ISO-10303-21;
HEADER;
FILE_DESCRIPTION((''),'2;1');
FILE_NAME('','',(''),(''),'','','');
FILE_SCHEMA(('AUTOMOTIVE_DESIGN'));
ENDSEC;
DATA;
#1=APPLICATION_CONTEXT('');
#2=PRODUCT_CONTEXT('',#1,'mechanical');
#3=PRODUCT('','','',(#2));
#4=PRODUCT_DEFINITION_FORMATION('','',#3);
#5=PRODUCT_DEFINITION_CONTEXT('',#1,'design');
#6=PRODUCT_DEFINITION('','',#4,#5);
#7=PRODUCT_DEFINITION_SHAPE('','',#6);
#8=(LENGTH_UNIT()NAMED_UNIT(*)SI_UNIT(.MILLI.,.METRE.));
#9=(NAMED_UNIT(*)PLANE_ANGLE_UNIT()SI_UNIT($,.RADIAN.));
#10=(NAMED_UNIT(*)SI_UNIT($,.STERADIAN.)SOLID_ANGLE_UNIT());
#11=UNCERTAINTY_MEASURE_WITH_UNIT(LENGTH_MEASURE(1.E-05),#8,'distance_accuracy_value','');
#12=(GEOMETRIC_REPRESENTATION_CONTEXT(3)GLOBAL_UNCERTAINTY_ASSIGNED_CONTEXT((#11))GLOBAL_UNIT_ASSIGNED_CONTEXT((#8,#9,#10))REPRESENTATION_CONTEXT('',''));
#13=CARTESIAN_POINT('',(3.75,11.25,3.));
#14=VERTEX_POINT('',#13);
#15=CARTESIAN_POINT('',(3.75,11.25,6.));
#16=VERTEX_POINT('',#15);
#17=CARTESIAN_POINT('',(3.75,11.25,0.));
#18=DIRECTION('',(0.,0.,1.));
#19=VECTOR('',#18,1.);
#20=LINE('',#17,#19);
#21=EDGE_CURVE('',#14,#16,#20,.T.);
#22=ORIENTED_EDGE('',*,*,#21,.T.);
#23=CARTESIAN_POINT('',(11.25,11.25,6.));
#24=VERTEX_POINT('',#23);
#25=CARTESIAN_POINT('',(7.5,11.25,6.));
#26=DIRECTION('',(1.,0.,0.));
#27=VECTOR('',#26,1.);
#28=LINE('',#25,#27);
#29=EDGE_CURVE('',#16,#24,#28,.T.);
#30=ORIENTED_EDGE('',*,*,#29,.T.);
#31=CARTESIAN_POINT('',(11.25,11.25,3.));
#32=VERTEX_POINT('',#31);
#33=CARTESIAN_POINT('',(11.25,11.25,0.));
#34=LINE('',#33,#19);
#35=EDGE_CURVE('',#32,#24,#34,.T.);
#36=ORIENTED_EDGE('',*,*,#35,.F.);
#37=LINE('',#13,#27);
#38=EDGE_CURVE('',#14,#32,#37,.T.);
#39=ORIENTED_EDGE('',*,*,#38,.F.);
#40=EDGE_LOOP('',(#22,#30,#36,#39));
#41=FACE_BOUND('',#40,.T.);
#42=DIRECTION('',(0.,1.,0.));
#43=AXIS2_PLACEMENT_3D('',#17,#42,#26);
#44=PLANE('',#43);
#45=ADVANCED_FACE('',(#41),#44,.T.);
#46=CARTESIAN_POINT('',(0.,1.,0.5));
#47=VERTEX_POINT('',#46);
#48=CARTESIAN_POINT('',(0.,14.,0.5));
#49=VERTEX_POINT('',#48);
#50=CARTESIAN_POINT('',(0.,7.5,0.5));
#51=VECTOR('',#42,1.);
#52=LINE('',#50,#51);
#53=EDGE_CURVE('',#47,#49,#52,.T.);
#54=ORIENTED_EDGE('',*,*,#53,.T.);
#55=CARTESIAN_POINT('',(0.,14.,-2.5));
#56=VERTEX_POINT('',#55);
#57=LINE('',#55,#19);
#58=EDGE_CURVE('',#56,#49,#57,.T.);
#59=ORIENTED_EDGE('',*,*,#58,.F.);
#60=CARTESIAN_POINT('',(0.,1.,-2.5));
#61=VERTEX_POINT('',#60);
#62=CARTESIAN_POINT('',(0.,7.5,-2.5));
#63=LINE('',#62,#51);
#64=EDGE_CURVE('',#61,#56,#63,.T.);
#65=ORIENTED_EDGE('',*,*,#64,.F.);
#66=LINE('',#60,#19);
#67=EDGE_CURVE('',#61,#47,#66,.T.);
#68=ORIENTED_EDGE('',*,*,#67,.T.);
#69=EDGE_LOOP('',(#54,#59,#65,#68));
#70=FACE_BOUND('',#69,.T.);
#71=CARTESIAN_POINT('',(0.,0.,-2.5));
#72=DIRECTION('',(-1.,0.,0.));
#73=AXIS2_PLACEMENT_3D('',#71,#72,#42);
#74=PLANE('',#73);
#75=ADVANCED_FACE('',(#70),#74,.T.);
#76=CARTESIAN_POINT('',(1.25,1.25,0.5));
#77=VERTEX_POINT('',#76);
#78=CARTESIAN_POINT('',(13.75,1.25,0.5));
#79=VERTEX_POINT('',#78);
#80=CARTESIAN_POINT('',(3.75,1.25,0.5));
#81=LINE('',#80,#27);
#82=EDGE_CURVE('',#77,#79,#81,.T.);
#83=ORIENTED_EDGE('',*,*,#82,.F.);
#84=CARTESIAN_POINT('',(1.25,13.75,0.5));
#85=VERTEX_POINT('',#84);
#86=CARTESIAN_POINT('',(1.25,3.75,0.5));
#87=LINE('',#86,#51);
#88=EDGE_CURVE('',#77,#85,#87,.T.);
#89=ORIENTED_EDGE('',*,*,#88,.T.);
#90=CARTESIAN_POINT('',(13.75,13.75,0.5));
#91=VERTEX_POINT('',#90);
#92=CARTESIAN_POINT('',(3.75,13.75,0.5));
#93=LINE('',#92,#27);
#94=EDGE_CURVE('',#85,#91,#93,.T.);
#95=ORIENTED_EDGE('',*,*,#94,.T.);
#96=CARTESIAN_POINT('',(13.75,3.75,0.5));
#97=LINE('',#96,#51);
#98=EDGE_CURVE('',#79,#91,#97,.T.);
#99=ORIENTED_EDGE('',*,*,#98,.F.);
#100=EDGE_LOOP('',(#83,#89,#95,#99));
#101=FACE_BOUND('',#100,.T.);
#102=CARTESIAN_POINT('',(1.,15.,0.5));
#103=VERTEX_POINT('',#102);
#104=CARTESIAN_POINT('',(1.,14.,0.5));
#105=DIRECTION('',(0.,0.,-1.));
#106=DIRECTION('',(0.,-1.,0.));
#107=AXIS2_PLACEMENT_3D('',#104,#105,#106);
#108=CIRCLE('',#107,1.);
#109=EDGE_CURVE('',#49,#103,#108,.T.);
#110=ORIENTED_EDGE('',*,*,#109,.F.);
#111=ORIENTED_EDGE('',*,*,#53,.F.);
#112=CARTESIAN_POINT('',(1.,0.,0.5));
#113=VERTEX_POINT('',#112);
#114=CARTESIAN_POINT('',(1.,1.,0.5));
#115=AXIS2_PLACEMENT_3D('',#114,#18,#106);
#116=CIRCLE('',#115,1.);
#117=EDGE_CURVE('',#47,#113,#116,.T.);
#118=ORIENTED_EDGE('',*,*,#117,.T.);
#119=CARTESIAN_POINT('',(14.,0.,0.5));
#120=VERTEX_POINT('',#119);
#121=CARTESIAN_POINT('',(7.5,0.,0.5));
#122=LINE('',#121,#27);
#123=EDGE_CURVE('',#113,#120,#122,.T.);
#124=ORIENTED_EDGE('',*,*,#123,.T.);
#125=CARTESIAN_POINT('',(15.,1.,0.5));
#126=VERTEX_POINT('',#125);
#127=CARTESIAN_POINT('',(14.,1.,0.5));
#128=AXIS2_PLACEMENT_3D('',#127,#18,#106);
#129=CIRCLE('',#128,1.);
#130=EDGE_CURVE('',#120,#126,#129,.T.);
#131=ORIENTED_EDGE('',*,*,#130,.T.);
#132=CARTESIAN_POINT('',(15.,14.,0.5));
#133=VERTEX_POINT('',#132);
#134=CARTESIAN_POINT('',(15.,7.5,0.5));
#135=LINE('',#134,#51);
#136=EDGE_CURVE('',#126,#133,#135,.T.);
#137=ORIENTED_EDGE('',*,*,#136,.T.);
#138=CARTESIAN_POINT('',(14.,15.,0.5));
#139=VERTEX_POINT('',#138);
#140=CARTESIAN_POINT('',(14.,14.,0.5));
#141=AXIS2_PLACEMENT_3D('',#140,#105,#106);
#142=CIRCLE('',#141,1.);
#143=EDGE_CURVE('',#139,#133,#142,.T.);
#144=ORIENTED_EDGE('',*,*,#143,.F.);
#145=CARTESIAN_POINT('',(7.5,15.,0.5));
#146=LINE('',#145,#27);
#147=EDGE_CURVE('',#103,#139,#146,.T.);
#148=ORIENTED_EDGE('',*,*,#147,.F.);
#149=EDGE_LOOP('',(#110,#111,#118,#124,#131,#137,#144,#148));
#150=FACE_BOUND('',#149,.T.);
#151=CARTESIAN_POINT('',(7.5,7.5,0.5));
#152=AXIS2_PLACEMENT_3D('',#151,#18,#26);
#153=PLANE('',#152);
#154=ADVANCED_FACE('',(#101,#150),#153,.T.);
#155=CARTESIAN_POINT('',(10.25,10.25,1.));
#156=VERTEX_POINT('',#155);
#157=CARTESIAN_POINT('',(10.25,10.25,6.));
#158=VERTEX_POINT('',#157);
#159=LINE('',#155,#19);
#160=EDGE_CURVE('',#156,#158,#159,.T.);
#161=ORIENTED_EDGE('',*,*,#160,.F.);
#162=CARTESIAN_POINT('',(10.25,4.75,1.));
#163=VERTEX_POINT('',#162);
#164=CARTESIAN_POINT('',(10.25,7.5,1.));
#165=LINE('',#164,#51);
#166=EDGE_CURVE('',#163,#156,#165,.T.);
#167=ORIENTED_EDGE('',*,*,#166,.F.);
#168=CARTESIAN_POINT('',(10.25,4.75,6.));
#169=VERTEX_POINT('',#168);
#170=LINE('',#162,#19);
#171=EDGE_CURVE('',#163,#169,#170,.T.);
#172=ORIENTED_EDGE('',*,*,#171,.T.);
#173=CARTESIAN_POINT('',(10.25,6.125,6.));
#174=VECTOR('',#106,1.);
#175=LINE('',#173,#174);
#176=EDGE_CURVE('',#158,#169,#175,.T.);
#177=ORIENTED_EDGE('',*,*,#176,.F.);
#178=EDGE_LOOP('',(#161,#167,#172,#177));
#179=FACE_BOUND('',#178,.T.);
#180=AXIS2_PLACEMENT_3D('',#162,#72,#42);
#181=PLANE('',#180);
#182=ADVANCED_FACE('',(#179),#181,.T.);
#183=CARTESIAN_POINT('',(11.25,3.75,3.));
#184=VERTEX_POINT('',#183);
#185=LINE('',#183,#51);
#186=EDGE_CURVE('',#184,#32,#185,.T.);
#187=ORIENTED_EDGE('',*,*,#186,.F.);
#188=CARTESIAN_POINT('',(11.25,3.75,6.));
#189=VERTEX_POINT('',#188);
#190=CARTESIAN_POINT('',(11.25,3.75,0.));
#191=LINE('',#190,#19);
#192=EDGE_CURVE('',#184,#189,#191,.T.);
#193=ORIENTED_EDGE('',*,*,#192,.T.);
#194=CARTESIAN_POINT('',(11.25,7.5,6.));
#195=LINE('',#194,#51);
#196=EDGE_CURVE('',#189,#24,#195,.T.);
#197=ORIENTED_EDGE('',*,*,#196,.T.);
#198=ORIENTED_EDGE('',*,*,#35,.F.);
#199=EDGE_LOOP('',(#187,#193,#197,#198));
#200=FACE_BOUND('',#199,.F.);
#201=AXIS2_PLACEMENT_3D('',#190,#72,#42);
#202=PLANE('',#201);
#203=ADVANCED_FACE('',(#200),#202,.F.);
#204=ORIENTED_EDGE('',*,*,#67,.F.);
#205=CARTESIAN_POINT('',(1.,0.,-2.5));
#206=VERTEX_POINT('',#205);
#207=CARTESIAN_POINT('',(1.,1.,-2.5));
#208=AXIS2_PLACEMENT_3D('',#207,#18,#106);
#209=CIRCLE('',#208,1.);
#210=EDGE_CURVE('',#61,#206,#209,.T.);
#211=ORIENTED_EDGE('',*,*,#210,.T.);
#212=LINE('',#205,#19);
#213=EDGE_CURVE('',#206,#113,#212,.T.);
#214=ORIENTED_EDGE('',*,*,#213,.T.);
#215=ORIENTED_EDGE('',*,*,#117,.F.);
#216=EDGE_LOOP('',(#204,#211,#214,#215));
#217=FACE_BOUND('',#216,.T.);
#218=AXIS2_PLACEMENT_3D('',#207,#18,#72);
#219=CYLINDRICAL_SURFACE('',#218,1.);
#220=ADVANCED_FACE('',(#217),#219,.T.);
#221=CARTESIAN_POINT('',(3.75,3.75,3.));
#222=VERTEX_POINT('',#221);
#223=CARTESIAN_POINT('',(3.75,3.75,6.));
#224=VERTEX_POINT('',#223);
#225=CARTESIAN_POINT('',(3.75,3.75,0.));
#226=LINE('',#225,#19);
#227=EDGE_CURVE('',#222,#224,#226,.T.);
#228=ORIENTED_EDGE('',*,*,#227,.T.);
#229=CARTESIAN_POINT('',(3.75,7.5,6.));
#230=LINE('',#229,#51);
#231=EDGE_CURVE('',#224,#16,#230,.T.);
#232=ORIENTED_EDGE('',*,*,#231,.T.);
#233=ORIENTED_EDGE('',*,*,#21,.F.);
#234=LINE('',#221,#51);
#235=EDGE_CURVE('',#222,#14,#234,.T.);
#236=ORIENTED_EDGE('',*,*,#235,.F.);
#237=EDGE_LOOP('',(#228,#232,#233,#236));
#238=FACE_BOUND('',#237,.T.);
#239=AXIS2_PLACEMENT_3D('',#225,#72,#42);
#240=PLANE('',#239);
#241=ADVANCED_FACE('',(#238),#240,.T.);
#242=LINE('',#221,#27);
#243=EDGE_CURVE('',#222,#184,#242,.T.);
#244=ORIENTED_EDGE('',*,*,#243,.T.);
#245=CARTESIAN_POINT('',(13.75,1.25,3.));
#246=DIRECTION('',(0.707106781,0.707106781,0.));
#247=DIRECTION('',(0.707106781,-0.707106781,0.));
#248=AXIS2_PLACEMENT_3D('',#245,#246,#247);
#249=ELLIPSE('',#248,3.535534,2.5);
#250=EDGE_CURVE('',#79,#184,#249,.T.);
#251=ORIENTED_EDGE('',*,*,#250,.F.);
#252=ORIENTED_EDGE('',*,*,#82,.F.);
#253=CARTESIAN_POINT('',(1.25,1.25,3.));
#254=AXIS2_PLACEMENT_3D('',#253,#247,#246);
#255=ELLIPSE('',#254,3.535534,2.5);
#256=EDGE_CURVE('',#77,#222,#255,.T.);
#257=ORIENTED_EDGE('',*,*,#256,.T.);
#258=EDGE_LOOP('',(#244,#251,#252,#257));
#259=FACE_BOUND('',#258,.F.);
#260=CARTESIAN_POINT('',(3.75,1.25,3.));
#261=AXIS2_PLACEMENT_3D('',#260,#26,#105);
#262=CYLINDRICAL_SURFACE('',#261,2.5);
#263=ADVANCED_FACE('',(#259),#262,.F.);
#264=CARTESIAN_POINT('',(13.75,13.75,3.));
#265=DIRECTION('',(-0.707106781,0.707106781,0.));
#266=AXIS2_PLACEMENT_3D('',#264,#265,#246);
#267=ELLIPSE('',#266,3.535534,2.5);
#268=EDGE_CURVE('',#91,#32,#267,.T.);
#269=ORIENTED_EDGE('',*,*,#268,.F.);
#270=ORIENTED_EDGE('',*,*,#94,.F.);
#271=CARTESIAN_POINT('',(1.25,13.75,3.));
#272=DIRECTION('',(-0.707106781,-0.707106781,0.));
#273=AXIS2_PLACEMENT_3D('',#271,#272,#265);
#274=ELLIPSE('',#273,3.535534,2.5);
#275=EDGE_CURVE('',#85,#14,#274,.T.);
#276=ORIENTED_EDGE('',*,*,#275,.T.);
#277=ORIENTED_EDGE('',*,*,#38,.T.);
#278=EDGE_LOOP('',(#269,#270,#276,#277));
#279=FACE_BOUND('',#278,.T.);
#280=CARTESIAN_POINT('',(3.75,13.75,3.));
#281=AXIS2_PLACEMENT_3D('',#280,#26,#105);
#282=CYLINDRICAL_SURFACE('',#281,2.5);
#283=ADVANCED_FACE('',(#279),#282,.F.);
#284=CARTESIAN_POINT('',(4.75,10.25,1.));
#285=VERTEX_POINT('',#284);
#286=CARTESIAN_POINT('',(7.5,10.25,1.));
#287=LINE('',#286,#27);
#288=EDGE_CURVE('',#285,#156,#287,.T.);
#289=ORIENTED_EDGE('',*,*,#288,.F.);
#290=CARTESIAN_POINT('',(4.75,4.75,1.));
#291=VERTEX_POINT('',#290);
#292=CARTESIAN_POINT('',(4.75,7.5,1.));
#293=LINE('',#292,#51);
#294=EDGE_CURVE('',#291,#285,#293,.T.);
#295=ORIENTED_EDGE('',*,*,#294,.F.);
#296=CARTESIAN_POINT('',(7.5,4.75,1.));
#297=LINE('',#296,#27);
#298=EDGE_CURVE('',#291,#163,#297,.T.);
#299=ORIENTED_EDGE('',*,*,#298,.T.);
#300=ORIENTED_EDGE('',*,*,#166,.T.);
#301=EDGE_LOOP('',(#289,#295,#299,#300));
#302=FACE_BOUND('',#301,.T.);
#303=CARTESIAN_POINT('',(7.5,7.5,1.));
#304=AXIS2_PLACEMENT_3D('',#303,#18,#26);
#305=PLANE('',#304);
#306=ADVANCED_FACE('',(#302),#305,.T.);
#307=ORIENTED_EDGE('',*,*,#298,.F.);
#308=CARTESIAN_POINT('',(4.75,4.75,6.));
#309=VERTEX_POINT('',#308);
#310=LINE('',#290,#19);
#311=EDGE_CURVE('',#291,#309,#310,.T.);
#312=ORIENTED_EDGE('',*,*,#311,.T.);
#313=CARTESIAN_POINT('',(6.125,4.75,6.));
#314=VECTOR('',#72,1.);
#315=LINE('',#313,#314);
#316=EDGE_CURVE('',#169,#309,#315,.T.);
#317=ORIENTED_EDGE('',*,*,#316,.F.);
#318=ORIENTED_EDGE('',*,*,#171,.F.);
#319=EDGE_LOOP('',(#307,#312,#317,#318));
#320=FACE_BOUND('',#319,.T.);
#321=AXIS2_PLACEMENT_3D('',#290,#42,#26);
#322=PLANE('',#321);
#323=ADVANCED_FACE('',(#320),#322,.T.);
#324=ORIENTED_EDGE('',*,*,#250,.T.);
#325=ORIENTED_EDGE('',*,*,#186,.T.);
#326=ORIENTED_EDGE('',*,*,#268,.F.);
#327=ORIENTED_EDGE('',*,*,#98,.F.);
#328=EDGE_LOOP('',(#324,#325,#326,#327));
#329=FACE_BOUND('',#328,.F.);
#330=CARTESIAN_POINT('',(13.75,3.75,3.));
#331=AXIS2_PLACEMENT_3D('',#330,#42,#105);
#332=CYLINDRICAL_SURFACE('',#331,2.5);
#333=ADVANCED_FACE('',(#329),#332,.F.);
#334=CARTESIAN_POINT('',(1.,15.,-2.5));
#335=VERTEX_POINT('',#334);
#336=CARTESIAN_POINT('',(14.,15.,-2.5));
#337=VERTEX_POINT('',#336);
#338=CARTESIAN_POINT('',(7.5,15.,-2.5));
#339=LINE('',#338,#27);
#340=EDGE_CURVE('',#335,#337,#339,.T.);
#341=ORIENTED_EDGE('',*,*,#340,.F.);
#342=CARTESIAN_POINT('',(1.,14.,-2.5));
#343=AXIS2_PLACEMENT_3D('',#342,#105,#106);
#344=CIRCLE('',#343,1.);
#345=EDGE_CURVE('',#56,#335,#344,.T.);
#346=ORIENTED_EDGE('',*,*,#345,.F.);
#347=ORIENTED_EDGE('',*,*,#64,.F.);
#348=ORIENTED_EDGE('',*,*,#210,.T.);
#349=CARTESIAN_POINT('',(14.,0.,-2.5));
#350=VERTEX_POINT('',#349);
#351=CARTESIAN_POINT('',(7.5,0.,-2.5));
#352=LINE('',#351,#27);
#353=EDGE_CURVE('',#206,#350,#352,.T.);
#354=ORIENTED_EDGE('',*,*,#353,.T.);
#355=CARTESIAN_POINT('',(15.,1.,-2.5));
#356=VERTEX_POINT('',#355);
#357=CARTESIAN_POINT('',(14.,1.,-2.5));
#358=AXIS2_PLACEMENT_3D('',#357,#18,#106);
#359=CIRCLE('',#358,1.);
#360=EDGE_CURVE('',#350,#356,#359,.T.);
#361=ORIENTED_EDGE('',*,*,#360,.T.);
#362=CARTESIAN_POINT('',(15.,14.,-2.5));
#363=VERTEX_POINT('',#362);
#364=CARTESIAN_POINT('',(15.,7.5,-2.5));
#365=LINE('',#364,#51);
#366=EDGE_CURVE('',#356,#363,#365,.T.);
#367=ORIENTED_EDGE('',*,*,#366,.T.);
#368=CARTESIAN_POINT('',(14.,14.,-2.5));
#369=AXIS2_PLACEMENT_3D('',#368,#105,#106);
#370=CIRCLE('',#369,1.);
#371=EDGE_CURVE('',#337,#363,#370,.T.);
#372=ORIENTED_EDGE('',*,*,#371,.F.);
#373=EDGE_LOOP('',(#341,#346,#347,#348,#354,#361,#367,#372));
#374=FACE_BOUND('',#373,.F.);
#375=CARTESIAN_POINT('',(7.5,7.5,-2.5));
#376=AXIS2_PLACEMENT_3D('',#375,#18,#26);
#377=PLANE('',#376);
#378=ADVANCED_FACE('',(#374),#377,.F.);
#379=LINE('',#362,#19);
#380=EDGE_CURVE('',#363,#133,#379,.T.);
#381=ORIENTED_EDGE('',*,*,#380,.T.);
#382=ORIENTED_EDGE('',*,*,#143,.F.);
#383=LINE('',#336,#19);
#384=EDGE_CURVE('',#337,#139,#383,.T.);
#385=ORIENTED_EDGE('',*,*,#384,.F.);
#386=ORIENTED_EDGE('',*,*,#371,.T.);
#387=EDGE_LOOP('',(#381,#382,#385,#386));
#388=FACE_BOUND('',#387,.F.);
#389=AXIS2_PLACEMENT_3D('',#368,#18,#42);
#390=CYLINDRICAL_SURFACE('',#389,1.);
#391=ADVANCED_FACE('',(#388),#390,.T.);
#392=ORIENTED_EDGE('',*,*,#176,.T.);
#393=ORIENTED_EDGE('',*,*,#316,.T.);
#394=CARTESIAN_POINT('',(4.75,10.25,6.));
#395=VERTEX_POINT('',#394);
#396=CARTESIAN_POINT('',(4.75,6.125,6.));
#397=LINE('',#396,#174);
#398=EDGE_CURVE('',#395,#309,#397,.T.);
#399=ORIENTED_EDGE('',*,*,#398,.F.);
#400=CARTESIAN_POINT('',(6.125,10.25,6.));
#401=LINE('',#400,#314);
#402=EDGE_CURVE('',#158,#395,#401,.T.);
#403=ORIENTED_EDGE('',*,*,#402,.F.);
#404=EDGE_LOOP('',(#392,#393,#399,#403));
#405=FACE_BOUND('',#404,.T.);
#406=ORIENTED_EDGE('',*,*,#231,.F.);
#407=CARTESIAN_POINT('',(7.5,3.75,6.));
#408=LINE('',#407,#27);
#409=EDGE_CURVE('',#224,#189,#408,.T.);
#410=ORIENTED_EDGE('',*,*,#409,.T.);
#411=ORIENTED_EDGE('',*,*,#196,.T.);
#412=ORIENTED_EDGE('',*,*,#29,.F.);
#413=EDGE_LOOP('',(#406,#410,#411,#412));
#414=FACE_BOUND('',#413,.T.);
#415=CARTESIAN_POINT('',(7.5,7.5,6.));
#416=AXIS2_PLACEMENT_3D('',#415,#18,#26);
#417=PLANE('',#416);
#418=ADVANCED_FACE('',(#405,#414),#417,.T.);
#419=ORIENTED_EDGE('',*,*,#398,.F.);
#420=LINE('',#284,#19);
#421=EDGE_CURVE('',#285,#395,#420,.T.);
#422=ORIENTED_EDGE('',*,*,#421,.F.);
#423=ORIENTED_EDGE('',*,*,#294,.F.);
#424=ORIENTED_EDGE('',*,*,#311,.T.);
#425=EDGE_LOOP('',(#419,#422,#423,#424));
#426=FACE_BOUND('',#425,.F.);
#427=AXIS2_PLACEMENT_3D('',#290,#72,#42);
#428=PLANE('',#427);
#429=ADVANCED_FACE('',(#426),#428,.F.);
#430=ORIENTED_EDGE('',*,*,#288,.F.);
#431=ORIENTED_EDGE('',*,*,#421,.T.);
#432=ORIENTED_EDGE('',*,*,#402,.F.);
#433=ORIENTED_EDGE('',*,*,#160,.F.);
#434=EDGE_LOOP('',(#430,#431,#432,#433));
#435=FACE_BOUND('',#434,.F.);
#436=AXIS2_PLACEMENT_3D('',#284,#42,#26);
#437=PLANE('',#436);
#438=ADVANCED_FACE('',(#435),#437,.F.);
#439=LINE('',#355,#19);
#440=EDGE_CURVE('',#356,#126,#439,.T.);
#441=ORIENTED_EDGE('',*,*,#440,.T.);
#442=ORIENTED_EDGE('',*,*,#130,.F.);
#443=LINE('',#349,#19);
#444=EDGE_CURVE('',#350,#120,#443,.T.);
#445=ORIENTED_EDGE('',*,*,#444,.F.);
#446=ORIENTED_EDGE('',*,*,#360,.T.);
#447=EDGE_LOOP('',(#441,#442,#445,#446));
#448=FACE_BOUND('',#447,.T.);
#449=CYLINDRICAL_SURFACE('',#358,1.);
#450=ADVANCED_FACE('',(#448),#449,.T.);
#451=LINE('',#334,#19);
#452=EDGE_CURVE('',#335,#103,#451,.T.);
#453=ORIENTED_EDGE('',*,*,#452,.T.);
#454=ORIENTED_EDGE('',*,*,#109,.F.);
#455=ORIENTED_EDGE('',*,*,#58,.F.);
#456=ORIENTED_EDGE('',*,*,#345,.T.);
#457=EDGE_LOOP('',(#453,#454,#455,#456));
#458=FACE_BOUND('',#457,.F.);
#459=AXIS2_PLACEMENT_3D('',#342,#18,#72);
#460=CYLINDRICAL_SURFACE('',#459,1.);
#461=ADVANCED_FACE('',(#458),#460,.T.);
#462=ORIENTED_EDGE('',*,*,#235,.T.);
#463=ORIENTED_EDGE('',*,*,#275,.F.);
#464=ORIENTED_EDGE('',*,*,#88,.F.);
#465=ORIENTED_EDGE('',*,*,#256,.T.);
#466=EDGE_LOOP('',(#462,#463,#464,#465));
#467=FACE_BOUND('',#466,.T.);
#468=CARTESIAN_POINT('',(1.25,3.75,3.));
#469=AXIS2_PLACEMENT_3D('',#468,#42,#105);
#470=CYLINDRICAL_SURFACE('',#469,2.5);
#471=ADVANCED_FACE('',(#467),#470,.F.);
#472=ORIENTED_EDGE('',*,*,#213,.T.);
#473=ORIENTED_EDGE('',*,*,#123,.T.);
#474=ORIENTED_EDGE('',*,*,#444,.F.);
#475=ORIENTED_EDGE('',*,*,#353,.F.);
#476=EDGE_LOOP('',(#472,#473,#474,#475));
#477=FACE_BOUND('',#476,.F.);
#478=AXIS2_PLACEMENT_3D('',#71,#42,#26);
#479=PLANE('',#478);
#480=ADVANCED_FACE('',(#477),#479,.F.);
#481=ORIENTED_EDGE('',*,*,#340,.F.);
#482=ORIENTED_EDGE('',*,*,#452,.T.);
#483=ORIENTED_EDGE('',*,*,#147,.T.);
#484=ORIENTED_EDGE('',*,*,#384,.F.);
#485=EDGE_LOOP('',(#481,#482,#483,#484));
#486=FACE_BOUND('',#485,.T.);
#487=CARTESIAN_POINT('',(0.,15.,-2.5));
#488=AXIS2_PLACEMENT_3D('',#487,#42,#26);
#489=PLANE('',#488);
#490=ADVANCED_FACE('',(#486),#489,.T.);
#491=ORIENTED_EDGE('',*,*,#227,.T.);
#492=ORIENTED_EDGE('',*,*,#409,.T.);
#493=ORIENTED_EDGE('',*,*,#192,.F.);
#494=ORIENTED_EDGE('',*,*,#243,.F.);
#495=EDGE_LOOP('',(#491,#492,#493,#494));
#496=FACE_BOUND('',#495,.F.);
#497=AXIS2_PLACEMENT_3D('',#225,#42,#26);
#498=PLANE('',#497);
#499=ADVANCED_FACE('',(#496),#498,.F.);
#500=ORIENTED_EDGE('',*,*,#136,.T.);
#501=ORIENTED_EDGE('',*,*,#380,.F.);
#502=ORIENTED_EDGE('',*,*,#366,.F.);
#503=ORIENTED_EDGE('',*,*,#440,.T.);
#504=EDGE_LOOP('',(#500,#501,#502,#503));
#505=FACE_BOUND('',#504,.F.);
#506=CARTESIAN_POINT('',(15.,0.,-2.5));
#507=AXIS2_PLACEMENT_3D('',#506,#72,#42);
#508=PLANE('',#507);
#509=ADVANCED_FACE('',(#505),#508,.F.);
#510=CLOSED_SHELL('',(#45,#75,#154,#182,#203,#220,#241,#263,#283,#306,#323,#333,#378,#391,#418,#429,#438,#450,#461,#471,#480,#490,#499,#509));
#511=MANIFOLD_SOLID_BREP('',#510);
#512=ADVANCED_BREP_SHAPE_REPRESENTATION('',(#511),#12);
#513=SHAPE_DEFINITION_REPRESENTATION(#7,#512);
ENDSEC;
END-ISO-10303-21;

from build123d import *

# Parameters (mm, degrees)
BOX003_W     = 15
BOX003_H     = 15
BOX003_DEPTH = 3
BOX001_W     = 5.5
BOX001_H     = 5.5
BOX001_DEPTH = 6
BOX002_W     = 7.5
BOX002_H     = 7.5
BOX002_DEPTH = 6
FILLET_R     = 2.5
FILLET001_R  = 1


with BuildPart() as cube002:
    # Box003 → Box003 (new body)
    with BuildSketch(Plane.XY.offset(-2.5)):
        with Locations((7.5, 7.5)):
            Rectangle(BOX003_W, BOX003_H)
    extrude(amount=BOX003_DEPTH)


with BuildPart() as inf:
    # Box001 → Box001 (new body)
    with BuildSketch(Plane(origin=(1, 1, 1), x_dir=(1, 0, 0), z_dir=(0, 0, 1))):
        with Locations((2.75, 2.75)):
            Rectangle(BOX001_W, BOX001_H)
    extrude(amount=BOX001_DEPTH)


with BuildPart() as fillet001:
    # Box002 → Box002 (new body)
    with BuildSketch(Plane.XY):
        with Locations((3.75, 3.75)):
            Rectangle(BOX002_W, BOX002_H)
    extrude(amount=BOX002_DEPTH)

    # Cut001: cut inf
    add(inf.part, mode=Mode.SUBTRACT)


with BuildPart() as fillet001_1:
    # Cut001 placement: moved
    add(fillet001.part.moved(Location((3.75, 3.75, 0))))

    # Fusion: union Cube002
    add(cube002.part)

    # Fillet
    fillet_edges = [fillet001_1.edges().sort_by_distance(p)[0] for p in [
        (3.75, 7.5, 0.5),
        (7.5, 3.75, 0.5),
        (11.25, 7.5, 0.5),
        (7.5, 11.25, 0.5),
    ]]
    fillet(fillet_edges, radius=FILLET_R)

    # Fillet001
    fillet001_edges = [fillet001_1.edges().sort_by_distance(p)[0] for p in [
        (0, 0, -1),
        (0, 15, -1),
        (15, 15, -1),
        (15, 0, -1),
    ]]
    fillet(fillet001_edges, radius=FILLET001_R)


solid = fillet001_1.part
